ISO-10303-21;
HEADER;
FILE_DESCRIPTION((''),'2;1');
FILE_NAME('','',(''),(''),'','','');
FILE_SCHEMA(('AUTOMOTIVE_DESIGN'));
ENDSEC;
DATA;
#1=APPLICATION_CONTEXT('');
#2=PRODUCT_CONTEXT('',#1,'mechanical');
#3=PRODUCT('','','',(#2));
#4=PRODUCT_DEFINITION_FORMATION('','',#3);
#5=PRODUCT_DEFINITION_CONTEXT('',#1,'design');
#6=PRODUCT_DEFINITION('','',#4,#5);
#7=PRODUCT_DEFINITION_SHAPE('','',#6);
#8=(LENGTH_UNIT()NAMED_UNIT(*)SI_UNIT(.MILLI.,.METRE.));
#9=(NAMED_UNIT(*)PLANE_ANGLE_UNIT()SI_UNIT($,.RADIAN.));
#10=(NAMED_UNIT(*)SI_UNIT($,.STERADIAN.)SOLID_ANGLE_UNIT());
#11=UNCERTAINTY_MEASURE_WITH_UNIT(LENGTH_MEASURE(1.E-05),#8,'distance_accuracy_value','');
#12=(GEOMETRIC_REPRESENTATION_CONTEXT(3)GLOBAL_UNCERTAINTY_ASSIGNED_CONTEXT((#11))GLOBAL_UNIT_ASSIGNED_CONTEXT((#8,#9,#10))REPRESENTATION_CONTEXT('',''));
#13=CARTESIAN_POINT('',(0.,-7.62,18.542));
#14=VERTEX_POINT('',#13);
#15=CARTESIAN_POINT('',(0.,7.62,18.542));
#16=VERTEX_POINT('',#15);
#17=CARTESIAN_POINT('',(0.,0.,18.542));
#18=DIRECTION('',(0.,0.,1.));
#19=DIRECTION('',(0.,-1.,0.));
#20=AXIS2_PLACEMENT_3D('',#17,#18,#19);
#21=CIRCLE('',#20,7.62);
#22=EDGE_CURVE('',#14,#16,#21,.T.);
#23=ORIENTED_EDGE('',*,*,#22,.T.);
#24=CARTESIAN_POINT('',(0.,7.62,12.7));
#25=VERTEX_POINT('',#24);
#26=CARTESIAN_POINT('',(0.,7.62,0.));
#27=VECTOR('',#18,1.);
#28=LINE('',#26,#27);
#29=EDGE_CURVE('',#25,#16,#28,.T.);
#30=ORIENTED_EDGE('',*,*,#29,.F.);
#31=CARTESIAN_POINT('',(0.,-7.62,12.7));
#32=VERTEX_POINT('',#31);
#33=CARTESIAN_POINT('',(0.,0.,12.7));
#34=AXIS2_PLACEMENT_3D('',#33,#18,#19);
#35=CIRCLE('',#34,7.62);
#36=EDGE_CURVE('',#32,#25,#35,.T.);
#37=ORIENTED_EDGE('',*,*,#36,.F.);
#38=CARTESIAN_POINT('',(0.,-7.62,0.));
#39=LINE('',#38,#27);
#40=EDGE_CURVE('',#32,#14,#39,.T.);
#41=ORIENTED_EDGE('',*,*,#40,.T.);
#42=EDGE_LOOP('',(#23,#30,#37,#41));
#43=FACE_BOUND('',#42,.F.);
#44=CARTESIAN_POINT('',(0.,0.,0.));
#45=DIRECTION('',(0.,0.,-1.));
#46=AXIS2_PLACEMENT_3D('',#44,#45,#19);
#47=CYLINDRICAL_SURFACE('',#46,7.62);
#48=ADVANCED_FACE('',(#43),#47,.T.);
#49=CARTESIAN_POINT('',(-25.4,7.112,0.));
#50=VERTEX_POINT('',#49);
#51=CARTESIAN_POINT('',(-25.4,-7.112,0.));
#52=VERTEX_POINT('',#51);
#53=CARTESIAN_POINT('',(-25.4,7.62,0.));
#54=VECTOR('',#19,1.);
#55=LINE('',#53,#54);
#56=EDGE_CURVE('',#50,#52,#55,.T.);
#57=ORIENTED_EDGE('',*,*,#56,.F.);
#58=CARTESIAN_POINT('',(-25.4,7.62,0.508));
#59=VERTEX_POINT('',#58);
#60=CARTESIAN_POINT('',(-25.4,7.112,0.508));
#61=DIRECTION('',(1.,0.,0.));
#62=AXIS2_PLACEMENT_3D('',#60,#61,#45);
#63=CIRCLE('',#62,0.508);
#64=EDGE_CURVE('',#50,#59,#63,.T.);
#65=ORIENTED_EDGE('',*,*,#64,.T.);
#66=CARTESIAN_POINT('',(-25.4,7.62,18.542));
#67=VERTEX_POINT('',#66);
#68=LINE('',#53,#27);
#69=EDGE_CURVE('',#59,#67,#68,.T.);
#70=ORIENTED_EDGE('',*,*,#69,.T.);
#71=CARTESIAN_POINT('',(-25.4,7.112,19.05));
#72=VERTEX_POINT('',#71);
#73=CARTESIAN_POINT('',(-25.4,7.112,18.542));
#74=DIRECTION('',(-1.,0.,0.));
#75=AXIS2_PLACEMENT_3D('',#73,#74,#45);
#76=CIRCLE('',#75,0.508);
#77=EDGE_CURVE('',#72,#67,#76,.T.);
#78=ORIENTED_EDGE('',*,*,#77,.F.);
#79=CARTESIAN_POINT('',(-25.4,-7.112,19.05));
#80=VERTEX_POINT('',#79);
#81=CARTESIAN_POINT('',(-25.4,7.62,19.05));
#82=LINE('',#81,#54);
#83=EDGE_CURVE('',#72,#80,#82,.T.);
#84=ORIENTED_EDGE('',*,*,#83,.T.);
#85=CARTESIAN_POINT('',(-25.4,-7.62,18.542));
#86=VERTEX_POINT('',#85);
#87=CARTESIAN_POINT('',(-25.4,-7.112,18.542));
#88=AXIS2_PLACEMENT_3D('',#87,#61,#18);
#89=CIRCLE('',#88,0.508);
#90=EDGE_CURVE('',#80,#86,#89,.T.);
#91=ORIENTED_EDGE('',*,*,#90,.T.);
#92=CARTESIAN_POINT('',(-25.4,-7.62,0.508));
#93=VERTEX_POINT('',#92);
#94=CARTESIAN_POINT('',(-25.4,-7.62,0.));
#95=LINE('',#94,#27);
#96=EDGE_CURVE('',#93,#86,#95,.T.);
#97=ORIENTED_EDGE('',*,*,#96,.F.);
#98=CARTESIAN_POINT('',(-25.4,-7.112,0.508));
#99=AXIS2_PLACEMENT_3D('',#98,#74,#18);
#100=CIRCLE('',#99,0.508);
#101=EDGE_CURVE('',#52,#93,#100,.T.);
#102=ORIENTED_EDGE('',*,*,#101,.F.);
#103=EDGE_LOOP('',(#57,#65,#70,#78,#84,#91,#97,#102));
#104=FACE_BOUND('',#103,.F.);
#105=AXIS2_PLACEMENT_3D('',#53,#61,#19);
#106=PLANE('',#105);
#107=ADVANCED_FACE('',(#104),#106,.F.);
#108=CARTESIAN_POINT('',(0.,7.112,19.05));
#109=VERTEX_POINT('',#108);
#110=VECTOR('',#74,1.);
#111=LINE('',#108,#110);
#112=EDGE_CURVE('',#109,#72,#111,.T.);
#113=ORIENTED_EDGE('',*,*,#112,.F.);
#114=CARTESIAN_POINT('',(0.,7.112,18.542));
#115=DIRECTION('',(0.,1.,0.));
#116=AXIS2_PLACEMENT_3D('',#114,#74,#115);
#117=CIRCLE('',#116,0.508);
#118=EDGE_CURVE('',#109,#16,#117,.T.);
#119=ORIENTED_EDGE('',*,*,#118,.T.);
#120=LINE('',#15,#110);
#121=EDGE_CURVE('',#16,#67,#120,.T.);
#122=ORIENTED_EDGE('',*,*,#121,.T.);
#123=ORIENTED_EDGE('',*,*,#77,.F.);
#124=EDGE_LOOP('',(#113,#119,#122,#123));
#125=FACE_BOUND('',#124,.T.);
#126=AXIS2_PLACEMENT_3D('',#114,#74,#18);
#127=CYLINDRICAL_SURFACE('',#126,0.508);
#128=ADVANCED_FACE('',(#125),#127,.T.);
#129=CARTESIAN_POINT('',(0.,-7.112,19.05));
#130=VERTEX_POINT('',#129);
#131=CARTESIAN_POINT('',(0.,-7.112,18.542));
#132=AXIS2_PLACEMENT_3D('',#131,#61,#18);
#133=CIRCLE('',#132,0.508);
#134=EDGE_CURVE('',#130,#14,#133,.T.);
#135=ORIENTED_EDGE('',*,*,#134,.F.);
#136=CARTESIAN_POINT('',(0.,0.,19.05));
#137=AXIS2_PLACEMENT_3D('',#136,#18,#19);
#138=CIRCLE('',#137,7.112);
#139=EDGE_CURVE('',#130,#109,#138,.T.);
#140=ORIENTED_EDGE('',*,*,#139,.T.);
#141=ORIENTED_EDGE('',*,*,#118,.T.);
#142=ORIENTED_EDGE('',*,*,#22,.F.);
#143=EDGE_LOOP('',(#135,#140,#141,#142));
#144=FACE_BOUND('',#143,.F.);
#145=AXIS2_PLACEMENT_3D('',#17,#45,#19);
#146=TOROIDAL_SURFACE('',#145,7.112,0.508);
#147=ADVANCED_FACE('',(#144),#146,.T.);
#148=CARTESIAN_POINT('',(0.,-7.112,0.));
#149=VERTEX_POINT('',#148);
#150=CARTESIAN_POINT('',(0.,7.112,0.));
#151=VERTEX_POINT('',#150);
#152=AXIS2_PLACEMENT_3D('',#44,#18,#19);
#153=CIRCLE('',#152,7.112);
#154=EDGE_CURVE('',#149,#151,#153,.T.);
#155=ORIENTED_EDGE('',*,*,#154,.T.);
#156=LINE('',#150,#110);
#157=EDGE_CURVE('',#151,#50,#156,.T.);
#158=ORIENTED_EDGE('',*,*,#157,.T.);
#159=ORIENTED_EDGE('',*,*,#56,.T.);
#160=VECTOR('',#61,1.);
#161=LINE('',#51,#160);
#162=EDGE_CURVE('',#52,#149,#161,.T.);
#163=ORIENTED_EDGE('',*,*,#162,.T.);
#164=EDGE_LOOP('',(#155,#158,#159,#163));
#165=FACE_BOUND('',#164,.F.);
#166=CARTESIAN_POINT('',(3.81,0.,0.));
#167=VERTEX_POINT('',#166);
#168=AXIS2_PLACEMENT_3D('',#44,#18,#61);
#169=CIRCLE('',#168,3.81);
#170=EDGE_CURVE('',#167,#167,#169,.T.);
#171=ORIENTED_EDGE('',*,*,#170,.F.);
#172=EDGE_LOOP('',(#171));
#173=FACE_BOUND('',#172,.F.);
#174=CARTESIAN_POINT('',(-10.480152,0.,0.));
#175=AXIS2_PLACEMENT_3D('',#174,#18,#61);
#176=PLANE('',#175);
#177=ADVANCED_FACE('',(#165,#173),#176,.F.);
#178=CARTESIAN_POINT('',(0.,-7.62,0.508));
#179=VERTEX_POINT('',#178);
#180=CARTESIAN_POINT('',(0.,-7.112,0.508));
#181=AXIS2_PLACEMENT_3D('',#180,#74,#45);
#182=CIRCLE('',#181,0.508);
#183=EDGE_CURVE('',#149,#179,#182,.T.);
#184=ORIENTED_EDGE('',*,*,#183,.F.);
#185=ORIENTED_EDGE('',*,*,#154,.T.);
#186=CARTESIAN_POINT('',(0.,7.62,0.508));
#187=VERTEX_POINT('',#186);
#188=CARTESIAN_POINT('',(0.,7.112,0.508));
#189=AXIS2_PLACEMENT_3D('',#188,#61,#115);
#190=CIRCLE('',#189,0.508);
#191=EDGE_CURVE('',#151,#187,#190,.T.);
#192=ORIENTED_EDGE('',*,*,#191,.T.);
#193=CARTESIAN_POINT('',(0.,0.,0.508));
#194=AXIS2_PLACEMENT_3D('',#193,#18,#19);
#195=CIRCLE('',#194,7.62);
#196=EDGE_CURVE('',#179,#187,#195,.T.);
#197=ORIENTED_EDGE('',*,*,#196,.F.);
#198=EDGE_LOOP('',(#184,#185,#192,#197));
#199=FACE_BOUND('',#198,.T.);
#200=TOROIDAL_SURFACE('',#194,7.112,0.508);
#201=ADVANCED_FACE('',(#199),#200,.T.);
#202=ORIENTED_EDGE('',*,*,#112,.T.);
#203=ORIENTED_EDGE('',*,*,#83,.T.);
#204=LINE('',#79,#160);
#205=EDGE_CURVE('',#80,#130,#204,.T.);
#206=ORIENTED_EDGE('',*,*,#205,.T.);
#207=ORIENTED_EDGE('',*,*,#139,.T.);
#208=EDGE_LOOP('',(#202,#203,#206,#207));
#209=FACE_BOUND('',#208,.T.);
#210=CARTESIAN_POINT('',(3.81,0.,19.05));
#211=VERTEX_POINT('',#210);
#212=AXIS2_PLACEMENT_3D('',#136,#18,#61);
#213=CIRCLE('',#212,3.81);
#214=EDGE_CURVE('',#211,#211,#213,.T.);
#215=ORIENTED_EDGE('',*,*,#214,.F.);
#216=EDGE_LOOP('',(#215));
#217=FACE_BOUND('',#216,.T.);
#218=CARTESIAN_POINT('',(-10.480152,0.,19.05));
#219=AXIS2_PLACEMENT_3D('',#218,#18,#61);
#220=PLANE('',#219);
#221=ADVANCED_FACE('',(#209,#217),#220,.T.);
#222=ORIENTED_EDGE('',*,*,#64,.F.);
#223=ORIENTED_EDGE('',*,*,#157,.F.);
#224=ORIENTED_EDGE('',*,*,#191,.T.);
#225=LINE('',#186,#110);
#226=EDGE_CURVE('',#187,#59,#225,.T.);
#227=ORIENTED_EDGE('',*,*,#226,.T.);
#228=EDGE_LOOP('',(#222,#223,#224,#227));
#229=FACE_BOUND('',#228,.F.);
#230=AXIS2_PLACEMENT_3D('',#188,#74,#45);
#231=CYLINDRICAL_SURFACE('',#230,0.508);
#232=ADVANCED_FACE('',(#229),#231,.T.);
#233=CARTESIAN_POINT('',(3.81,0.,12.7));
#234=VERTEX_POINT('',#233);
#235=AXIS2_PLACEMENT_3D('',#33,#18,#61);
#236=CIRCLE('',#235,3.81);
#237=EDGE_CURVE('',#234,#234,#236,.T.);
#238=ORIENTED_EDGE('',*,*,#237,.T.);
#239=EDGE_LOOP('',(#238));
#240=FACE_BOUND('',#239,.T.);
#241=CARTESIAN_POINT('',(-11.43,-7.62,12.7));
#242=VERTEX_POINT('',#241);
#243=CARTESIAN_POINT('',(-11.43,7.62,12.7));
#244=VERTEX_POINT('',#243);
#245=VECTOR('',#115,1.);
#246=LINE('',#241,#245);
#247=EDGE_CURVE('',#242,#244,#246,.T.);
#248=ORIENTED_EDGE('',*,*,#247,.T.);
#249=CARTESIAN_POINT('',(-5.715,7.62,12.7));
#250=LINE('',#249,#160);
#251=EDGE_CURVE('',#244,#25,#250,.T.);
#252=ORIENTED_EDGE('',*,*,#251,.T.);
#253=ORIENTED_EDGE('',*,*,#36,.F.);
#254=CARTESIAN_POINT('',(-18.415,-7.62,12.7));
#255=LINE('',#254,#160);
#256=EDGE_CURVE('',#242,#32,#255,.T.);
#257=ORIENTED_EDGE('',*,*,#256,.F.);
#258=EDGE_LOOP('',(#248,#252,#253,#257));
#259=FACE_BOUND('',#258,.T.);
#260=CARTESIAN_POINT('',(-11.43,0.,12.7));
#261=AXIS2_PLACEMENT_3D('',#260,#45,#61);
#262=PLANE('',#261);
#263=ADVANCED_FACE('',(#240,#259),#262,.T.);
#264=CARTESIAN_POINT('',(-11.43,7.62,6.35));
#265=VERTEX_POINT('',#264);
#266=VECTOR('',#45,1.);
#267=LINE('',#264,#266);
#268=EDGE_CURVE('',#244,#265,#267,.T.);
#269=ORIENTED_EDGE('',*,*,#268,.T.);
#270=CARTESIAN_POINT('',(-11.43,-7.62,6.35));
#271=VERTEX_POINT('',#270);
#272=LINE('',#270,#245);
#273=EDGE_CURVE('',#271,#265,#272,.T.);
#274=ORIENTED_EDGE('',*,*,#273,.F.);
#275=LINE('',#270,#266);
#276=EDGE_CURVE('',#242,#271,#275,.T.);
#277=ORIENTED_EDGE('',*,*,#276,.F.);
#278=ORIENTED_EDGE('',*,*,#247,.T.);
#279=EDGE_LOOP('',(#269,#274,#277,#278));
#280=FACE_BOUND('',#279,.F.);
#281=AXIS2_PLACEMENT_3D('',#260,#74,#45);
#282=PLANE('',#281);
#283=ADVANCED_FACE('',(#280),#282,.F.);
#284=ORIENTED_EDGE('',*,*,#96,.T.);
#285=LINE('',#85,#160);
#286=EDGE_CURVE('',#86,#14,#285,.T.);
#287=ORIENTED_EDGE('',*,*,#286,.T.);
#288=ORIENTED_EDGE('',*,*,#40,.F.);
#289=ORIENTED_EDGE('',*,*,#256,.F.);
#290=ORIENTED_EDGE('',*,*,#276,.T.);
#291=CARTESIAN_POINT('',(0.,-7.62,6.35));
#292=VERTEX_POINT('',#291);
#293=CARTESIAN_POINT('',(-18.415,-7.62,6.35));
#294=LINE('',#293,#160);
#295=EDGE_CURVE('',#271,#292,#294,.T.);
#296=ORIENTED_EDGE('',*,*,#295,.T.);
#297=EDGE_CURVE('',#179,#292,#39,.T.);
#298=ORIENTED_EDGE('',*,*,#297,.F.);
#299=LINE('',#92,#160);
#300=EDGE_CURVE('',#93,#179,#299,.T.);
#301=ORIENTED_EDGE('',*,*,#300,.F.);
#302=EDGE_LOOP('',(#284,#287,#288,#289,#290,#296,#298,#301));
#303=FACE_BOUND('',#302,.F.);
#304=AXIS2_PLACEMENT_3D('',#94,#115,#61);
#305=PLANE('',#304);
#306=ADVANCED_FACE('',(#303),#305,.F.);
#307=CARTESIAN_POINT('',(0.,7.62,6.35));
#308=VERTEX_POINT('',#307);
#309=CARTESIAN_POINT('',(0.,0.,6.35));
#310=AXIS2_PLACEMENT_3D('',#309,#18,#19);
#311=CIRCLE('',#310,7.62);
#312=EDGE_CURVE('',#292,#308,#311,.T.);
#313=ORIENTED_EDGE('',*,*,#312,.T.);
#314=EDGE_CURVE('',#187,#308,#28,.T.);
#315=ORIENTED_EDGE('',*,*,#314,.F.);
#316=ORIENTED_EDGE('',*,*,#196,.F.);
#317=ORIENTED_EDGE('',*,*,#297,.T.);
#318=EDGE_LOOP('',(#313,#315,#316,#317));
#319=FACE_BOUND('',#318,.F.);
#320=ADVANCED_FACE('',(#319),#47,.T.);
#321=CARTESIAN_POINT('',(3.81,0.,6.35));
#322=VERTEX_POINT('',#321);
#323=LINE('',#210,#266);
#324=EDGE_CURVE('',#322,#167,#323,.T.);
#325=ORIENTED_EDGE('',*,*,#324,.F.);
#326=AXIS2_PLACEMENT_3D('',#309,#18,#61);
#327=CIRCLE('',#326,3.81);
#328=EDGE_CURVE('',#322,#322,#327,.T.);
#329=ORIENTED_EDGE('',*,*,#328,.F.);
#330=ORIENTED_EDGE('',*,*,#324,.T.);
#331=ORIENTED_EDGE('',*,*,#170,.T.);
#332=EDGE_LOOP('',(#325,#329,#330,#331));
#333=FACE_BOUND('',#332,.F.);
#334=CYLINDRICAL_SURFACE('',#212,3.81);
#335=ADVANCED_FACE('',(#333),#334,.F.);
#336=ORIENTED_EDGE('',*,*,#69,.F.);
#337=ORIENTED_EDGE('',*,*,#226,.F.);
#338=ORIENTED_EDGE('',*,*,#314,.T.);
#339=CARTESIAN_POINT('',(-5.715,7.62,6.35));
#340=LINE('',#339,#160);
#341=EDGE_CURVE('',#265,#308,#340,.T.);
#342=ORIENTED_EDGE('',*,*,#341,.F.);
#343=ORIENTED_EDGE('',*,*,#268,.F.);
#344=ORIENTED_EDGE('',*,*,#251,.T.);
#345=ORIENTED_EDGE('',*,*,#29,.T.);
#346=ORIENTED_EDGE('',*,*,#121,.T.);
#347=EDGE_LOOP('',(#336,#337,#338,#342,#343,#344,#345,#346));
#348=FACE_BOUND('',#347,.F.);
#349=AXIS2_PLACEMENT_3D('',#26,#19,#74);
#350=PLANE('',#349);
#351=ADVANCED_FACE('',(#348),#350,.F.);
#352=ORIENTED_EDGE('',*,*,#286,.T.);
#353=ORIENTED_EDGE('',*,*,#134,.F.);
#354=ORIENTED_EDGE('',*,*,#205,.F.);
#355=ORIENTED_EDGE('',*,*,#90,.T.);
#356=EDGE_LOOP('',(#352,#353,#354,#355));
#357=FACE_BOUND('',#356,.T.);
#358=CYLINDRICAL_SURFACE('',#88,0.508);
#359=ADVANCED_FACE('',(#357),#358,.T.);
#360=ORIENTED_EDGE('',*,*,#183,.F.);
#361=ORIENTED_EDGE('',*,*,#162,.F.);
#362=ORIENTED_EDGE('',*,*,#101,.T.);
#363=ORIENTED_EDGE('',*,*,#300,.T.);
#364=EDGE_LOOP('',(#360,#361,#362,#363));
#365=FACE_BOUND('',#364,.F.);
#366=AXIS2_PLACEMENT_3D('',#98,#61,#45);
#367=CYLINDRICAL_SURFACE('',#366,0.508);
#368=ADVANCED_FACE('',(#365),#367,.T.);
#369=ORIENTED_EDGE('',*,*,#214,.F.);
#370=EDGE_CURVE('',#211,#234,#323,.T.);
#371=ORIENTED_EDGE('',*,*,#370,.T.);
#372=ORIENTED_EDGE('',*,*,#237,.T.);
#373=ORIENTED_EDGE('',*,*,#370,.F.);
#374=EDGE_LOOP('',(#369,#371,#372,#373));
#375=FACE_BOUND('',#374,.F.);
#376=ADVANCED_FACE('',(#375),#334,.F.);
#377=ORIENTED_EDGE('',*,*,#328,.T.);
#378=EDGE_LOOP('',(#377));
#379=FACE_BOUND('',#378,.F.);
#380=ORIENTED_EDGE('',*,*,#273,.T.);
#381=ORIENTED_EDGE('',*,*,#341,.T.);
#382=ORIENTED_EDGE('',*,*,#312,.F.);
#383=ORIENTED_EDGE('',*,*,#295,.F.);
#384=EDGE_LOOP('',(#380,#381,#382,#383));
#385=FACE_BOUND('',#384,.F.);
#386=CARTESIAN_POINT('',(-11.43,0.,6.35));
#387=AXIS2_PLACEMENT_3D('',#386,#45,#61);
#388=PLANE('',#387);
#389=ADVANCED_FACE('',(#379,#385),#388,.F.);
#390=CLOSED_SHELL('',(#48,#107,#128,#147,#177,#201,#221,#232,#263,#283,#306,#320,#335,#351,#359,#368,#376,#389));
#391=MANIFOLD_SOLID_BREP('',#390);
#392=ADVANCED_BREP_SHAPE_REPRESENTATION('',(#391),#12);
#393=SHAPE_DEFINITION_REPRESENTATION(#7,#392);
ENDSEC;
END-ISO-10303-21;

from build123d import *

# Parameters (mm, degrees)
BOSS_EXTRUDE1_DEPTH     = 19.05
SKETCH2_W               = 19.05
SKETCH2_H               = 6.35
CUT_EXTRUDE1_DEPTH      = 8.62
CUT_EXTRUDE1_DEPTH_BACK = 8.62
SKETCH3_R               = 3.81
CUT_EXTRUDE2_DEPTH      = 20.05
FILLET1_R               = 0.508


with BuildPart() as part:
    # Sketch1 → Boss-Extrude1 (new body)
    with BuildSketch(Plane.XY):
        with BuildLine():
            Line((0, 7.62), (-25.4, 7.62))
            Line((-25.4, 7.62), (-25.4, -7.62))
            Line((-25.4, -7.62), (0, -7.62))
            ThreePointArc((0, -7.62), (7.62, 0), (0, 7.62))
        make_face()
    extrude(amount=BOSS_EXTRUDE1_DEPTH)

    # Sketch2 → Cut-Extrude1 (cut, two sides)
    with BuildSketch(Plane(origin=(0, 0, 0), x_dir=(1, 0, 0), z_dir=(0, 1, 0))) as cut_extrude1_sk:
        with Locations((-1.905, -9.525)):
            Rectangle(SKETCH2_W, SKETCH2_H)
    extrude(amount=CUT_EXTRUDE1_DEPTH, mode=Mode.SUBTRACT)
    extrude(cut_extrude1_sk.sketch, amount=-CUT_EXTRUDE1_DEPTH_BACK, mode=Mode.SUBTRACT)

    # Sketch3 → Cut-Extrude2 (cut, through all)
    with BuildSketch(Plane.XY.offset(19.05)):
        Circle(SKETCH3_R)
    extrude(amount=-CUT_EXTRUDE2_DEPTH, mode=Mode.SUBTRACT)

    # Fillet1
    fillet1_edges = [part.edges().sort_by_distance(p)[0] for p in [
        (-12.7, -7.62, 19.05),
        (7.62, 0, 19.05),
        (-12.7, -7.62, 0),
        (-12.7, 7.62, 0),
        (7.62, 0, 0),
        (-12.7, 7.62, 19.05),
    ]]
    fillet(fillet1_edges, radius=FILLET1_R)


solid = part.part
